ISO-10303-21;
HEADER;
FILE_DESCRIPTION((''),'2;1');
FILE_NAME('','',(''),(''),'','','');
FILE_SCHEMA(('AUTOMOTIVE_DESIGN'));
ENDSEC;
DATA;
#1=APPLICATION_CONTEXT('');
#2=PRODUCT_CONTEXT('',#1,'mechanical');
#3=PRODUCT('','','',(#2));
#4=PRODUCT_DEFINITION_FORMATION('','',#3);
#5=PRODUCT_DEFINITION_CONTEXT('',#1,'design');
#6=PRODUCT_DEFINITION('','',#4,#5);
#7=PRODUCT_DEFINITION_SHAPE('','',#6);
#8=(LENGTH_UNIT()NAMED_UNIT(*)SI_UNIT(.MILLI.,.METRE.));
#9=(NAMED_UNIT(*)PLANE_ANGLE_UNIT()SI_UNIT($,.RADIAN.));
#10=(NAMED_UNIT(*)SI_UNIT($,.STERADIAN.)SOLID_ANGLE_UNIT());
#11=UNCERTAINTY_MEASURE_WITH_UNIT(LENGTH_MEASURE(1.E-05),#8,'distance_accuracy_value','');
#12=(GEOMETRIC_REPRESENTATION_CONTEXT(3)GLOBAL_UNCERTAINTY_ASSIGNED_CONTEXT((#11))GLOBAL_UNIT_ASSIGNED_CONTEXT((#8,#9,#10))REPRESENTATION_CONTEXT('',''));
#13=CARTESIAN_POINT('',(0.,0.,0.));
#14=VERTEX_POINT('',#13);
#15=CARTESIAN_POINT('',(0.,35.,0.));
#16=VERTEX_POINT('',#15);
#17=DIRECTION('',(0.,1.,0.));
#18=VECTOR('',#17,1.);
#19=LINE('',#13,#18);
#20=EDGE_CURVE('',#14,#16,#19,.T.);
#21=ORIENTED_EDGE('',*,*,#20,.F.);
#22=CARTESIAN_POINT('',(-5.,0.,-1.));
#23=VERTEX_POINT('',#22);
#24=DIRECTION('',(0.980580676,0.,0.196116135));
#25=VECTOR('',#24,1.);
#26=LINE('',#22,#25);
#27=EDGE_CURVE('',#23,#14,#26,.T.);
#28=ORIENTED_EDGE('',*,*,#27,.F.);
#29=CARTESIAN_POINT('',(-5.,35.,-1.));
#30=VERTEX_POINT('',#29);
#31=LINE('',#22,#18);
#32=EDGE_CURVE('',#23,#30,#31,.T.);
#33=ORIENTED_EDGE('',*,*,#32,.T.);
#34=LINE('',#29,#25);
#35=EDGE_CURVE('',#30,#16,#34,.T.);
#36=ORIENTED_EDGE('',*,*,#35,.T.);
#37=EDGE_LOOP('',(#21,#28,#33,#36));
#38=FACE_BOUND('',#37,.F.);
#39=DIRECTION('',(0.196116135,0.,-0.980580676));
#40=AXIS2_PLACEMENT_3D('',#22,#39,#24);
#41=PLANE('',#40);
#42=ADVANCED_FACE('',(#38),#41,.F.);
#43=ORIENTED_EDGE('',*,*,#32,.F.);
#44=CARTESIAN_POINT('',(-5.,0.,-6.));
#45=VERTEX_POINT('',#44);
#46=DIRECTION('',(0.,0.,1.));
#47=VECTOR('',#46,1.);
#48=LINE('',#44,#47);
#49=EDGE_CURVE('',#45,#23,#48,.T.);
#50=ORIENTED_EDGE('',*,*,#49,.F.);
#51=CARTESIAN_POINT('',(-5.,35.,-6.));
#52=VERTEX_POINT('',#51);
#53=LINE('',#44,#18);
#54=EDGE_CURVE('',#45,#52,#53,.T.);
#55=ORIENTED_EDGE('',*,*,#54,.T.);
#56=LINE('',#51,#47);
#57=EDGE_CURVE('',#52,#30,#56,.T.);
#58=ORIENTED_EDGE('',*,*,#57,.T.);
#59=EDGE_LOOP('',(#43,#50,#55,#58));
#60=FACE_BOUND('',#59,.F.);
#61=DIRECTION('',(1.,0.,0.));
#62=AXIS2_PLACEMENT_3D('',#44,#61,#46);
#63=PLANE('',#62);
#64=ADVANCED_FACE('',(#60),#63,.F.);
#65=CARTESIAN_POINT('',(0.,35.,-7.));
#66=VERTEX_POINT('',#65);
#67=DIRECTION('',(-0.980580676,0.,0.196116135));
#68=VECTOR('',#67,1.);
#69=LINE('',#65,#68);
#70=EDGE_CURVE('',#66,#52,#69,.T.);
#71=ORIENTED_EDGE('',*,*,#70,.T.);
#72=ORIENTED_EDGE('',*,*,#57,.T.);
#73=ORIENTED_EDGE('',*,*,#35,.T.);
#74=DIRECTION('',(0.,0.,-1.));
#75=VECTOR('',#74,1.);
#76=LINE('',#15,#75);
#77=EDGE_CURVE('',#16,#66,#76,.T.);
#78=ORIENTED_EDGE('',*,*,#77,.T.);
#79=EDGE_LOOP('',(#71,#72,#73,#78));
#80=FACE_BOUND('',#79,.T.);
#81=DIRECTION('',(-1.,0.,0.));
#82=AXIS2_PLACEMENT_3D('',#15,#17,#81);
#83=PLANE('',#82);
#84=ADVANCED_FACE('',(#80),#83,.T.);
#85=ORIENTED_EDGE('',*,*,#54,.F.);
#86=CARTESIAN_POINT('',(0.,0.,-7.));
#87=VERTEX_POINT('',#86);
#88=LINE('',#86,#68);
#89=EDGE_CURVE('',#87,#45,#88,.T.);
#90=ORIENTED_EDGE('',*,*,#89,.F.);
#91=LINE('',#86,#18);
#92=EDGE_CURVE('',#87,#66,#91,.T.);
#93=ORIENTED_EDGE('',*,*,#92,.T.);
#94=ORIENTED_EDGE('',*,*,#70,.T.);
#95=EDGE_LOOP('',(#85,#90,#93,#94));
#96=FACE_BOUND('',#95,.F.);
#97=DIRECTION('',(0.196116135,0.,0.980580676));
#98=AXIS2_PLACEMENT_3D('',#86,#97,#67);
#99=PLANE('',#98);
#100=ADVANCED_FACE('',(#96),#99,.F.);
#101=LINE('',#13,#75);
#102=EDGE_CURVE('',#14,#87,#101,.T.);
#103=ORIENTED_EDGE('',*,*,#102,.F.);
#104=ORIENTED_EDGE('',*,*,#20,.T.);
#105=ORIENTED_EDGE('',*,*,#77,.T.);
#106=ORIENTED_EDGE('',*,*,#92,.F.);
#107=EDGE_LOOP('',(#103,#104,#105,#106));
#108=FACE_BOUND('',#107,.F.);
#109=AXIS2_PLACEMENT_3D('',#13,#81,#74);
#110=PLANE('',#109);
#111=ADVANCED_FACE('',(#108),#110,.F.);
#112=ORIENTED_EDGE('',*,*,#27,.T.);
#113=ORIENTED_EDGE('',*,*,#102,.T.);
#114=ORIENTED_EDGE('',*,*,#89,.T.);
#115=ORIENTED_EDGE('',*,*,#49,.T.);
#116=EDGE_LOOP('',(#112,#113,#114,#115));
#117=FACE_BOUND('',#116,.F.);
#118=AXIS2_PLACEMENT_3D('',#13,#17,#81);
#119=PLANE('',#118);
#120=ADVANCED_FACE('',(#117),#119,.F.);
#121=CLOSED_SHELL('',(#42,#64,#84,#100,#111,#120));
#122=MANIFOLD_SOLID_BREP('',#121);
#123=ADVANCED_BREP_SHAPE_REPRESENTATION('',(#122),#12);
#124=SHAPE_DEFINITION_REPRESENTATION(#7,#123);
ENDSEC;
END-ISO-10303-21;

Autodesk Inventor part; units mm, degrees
ref_plane "YZ Plane" through (0, 0, 0) normal (1, 0, 0) x (0, 1, 0)
ref_plane "XZ Plane" through (0, 0, 0) normal (0, 1, 0) x (-1, 0, 0)
ref_plane "XY Plane" through (0, 0, 0) normal (0, 0, 1) x (1, 0, 0)
sketch "Sketch1" plane through (0, 0, 0) normal (0, 1, 0) x (-1, 0, 0)
  line L0 (0, 0) -> (0, -7)
  line L1 (0, -7) -> (5, -6)
  line L2 (5, -6) -> (5, -1)
  line L3 (5, -1) -> (0, 0)
  dimension "d0" = 7
  dimension "d1" = 5
  dimension "d2" = 1
  dimension "d5" = 5
extrude "Extrusion1" add sketch "Sketch1" along normal blind 35
properties part number "Dovetail1"
